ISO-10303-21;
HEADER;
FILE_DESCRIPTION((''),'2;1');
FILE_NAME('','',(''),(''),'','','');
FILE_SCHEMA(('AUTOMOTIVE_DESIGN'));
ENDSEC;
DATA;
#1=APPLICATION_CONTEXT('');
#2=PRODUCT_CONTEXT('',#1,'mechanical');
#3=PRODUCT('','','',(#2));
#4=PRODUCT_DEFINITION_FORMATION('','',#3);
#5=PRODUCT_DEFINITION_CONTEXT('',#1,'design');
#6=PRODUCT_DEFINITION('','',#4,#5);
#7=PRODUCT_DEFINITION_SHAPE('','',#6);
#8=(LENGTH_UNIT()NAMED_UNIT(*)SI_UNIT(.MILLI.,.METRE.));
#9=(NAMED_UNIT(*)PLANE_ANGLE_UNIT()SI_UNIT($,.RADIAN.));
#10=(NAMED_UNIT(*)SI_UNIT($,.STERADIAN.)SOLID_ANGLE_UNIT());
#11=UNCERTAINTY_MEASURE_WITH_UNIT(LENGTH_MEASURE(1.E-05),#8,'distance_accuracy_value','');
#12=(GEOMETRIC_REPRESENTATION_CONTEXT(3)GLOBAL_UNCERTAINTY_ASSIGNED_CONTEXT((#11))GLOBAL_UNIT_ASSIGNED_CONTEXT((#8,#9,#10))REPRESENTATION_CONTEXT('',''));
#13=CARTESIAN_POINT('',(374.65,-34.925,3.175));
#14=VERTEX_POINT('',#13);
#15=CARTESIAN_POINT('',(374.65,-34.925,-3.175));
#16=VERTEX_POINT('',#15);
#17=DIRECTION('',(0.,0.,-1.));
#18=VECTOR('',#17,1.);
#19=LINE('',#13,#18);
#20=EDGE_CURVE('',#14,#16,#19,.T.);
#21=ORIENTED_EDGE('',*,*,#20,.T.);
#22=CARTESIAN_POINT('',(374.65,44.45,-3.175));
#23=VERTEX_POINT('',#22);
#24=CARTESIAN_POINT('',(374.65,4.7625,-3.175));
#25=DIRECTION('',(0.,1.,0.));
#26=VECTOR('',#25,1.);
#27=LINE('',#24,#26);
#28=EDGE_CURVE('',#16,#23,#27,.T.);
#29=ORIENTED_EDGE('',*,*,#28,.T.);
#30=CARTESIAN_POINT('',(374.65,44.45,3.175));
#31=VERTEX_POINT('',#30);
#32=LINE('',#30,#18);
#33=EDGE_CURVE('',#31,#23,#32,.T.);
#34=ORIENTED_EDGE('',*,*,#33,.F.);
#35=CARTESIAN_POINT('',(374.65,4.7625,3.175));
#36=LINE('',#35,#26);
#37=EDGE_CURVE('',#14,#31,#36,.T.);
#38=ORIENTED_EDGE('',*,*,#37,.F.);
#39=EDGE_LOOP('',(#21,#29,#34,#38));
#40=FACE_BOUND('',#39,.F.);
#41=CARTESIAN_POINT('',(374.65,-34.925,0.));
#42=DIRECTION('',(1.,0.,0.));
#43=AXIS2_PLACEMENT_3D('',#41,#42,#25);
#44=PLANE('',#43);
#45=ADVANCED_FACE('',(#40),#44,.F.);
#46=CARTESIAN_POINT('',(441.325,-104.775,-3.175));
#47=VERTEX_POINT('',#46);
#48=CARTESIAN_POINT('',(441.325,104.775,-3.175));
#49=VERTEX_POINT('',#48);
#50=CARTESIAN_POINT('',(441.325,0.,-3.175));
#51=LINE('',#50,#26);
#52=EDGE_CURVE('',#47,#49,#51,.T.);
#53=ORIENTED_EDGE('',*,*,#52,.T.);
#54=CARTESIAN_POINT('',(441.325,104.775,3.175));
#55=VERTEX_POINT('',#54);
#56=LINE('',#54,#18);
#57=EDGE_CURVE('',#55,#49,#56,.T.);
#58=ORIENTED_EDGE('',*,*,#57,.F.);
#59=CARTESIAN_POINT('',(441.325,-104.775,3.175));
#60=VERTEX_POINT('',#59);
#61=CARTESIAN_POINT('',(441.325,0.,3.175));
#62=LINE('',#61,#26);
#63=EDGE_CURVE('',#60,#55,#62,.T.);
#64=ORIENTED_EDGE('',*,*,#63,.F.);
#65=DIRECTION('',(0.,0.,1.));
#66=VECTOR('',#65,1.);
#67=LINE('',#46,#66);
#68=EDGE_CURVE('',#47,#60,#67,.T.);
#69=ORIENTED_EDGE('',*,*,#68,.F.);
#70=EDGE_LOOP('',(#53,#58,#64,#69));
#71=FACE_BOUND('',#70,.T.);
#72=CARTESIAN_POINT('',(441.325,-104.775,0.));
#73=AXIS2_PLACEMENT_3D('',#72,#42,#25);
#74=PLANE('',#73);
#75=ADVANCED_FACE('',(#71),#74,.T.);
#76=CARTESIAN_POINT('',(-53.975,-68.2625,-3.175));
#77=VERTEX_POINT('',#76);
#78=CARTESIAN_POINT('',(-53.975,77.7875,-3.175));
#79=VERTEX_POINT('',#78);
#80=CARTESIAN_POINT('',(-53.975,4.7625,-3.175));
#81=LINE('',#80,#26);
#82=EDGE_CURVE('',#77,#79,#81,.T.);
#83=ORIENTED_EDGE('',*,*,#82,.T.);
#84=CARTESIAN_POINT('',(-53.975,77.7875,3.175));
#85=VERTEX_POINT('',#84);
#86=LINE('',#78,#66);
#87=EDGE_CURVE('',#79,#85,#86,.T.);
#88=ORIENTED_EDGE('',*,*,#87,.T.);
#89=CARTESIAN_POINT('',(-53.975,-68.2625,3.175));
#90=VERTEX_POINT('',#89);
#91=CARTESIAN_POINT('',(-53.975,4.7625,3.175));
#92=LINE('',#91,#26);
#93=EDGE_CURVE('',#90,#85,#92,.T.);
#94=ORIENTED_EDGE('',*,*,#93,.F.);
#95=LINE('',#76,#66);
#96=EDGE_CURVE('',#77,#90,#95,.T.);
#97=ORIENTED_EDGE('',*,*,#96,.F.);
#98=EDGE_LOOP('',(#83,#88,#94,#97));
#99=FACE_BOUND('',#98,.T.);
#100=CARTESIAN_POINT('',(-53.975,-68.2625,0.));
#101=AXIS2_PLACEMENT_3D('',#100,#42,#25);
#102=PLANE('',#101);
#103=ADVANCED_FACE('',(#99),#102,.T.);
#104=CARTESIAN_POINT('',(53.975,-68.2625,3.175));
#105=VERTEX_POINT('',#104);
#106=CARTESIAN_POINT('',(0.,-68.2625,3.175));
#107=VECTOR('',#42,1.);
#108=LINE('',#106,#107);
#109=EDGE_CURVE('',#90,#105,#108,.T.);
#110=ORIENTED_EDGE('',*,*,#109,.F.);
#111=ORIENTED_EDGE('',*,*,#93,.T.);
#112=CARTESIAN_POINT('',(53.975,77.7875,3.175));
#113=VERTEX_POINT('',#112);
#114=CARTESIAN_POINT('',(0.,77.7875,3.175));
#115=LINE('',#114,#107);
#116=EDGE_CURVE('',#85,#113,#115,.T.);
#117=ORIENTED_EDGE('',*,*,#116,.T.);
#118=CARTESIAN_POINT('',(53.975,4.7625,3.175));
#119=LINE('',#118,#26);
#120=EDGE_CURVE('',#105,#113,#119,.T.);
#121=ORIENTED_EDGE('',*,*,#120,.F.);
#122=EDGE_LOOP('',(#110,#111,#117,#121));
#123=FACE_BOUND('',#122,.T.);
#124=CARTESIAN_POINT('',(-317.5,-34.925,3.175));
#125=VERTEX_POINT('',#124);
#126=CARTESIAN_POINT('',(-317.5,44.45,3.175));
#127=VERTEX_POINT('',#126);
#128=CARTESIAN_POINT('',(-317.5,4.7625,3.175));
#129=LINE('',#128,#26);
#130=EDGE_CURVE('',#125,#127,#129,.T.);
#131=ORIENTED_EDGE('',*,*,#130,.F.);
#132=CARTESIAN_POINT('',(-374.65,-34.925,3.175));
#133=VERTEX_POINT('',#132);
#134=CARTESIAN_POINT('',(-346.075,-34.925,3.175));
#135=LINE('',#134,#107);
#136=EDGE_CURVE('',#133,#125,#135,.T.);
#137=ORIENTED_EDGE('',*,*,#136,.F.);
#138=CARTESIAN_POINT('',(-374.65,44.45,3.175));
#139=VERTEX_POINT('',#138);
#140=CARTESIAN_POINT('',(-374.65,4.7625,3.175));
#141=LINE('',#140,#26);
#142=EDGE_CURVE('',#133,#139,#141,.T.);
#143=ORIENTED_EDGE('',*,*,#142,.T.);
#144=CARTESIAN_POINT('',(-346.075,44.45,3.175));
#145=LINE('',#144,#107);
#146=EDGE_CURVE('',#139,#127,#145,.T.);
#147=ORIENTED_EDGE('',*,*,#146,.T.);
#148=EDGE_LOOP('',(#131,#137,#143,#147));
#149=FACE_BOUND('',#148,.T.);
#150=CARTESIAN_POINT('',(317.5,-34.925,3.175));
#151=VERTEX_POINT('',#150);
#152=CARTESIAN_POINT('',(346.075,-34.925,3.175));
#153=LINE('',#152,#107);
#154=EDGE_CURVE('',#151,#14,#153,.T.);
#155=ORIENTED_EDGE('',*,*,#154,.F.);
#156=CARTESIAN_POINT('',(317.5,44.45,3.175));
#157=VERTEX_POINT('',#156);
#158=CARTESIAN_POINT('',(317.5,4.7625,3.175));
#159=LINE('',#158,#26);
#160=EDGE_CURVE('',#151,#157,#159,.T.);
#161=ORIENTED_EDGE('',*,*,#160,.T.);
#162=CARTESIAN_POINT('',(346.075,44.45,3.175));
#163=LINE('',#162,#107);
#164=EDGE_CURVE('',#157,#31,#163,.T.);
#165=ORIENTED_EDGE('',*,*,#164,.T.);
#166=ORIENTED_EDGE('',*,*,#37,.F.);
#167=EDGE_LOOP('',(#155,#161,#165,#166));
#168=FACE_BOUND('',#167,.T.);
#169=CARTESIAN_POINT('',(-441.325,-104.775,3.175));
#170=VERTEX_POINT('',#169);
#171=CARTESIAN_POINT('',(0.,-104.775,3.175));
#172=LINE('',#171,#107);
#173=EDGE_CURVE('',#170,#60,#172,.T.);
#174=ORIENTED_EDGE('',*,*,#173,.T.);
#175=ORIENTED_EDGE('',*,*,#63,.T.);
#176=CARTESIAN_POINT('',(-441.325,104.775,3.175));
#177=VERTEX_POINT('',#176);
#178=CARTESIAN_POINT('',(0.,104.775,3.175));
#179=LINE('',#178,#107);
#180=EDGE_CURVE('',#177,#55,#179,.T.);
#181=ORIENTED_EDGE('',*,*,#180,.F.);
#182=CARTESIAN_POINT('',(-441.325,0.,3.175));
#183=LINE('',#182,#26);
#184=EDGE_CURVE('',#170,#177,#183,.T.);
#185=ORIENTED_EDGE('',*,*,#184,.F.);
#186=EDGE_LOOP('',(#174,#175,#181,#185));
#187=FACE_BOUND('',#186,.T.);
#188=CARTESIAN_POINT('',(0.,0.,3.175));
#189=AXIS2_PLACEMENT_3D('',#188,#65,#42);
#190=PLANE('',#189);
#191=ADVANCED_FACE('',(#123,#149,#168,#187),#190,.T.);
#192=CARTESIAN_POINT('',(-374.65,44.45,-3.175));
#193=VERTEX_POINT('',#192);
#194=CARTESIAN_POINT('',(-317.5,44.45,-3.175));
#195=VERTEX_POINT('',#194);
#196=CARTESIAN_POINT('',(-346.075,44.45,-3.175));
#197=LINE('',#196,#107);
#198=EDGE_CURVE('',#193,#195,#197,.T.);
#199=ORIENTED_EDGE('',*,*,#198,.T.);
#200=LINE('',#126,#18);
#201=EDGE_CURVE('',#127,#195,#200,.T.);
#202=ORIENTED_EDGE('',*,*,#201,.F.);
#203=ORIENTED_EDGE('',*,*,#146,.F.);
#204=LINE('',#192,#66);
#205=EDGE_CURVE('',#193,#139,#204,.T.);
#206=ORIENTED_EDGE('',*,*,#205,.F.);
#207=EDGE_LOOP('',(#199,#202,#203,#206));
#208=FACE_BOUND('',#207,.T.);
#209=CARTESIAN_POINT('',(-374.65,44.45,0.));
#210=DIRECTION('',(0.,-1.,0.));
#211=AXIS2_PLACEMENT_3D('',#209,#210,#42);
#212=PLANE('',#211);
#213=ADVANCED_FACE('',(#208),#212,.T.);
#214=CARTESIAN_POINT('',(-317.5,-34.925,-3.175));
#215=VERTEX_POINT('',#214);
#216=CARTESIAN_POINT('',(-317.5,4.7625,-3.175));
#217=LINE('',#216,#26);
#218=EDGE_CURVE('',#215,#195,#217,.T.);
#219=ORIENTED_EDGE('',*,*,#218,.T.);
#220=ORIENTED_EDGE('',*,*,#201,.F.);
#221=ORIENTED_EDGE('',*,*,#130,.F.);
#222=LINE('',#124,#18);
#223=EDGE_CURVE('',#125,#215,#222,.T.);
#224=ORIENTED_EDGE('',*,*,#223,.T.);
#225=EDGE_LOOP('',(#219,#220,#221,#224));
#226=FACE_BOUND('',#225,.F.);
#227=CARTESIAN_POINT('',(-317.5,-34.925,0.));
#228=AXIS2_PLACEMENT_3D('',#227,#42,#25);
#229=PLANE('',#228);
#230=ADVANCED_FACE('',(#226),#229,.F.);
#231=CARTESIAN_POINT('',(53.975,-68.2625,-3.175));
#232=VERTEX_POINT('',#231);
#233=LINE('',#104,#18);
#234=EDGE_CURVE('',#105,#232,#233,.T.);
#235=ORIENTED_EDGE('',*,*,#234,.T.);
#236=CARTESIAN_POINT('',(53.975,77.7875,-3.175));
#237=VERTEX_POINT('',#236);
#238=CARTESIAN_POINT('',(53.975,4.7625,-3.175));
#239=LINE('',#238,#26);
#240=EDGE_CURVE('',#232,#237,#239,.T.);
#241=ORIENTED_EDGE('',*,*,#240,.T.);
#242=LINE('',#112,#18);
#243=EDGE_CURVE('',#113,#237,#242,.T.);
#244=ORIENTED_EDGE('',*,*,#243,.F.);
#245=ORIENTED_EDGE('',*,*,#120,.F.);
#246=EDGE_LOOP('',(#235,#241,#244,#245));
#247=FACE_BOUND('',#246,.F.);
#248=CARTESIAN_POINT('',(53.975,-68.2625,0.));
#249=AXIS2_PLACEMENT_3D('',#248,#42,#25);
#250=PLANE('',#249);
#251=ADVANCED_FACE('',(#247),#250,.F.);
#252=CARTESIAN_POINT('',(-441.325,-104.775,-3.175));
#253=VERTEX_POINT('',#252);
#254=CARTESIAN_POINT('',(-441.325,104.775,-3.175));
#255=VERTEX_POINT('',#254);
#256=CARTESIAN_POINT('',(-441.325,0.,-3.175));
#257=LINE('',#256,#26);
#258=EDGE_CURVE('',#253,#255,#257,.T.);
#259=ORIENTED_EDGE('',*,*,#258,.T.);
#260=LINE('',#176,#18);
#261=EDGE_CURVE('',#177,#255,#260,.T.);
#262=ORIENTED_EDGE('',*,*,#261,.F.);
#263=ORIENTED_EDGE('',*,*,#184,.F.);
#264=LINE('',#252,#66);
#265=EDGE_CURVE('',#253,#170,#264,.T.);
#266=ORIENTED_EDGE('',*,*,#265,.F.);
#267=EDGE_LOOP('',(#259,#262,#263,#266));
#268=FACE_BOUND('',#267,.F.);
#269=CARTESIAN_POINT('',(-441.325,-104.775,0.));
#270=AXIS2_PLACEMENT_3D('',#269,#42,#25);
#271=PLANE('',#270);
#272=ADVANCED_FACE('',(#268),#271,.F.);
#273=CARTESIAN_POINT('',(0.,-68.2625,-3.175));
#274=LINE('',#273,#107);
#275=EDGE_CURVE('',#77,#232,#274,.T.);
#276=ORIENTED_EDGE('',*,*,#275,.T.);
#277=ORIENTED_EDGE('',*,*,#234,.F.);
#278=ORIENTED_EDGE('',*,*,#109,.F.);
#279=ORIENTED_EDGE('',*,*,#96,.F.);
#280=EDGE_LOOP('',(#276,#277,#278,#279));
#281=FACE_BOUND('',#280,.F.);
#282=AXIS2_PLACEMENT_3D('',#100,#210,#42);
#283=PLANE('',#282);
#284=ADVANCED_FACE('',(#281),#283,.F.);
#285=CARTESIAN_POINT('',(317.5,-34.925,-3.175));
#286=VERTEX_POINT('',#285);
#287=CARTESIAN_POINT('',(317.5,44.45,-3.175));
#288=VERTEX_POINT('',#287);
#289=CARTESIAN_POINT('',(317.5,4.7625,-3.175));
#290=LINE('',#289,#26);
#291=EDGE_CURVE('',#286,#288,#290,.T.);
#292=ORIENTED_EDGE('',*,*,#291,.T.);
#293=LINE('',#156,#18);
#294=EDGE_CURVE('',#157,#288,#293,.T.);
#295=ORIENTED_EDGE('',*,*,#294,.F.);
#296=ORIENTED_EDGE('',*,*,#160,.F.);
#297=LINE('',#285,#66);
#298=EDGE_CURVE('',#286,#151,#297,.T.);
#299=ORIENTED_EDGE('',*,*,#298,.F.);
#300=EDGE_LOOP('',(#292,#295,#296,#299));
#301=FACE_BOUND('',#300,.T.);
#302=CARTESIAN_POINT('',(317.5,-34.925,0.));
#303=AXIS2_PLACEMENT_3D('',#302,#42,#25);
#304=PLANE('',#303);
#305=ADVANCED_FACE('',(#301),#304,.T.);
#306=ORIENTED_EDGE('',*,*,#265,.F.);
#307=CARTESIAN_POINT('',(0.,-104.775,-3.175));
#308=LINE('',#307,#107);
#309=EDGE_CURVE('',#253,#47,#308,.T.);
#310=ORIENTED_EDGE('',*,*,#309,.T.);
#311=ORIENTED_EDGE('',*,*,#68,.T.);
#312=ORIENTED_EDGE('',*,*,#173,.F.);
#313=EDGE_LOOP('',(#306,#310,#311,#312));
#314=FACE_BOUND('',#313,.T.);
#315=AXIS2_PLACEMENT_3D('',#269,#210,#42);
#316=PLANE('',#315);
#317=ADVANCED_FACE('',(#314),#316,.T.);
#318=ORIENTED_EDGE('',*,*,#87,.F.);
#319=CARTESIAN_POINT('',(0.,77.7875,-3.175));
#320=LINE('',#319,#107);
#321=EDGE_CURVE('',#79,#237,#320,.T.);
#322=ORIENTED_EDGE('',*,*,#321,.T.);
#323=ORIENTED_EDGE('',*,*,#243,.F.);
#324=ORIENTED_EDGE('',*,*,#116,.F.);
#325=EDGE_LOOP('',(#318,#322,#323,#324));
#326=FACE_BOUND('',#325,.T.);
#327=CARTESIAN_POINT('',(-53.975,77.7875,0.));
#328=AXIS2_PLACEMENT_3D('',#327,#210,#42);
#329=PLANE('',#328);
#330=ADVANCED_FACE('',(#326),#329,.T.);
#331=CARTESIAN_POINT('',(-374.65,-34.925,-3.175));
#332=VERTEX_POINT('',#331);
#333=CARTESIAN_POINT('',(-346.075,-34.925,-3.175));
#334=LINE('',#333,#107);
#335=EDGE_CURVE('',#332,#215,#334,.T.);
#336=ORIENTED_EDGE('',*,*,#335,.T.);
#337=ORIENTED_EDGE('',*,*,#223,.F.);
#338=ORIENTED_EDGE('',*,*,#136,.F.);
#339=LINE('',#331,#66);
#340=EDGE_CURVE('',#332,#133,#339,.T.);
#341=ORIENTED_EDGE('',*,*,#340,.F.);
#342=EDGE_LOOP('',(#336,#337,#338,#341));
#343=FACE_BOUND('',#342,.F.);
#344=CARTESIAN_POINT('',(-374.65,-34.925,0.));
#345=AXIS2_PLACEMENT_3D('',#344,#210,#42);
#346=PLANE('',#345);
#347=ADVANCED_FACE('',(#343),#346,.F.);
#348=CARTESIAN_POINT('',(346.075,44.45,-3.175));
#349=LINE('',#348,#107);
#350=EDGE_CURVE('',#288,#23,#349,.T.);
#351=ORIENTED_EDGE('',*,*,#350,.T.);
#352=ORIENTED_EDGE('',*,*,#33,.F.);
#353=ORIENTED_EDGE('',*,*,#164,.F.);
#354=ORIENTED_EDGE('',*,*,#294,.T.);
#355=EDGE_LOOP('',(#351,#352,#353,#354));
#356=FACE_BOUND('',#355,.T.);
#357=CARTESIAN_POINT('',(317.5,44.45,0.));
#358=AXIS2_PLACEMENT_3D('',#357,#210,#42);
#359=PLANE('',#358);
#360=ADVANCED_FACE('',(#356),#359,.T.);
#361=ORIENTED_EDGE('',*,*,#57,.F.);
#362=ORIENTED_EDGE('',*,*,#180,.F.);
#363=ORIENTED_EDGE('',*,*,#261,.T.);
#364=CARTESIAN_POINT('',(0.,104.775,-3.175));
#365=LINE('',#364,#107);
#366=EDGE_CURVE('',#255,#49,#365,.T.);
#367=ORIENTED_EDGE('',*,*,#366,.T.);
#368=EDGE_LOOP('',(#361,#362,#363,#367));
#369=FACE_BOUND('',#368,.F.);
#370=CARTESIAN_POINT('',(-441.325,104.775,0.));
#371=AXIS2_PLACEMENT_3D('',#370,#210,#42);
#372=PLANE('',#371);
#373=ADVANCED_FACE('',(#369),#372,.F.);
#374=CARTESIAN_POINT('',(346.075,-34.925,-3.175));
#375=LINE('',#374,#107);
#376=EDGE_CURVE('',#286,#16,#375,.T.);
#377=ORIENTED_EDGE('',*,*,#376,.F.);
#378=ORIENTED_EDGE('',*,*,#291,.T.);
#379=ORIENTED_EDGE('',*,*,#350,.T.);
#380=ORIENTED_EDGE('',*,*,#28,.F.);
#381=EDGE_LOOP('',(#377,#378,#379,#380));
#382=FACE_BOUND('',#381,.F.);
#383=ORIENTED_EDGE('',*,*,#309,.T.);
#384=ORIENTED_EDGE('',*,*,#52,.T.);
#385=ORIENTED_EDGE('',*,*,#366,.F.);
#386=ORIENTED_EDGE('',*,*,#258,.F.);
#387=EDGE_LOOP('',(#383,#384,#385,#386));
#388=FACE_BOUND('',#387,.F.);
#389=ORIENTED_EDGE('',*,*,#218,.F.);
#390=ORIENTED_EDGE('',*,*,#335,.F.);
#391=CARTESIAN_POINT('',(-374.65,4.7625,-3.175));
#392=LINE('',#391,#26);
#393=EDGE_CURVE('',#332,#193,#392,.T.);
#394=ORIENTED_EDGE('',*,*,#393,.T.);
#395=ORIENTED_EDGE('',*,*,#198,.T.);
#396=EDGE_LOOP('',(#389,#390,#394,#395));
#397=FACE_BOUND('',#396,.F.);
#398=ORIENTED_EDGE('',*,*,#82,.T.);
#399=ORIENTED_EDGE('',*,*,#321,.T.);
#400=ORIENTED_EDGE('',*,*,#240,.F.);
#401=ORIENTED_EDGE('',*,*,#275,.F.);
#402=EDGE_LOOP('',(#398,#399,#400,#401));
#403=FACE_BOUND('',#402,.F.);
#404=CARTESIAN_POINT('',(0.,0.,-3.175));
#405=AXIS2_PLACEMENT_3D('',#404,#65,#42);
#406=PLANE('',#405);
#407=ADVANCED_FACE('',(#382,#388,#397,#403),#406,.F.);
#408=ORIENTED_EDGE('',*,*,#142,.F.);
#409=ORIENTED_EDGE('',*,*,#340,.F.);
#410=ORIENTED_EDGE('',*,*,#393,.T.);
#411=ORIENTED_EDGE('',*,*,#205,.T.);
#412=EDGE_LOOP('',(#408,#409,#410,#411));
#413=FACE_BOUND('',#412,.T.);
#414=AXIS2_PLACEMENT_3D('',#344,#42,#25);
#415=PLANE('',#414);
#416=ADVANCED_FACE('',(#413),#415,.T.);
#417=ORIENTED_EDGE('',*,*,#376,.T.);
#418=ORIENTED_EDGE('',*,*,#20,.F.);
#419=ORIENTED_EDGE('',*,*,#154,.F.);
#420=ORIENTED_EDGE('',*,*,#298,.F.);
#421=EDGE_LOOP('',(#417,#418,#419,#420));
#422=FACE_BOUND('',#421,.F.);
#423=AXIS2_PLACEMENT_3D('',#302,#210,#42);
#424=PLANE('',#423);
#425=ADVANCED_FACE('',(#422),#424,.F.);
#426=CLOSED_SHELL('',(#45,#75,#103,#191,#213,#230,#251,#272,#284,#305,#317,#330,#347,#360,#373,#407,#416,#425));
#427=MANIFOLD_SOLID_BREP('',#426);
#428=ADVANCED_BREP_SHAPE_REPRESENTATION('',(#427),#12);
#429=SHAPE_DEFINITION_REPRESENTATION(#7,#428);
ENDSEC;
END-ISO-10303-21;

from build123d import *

# Parameters (mm, degrees)
F0_W     = 882.65
F0_H     = 209.55
F0_W_2   = 57.15
F0_H_2   = 79.375
F0_W_3   = 107.95
F0_H_3   = 146.05
F1_DEPTH = 3.175


with BuildPart() as f1:
    # F0 (on Top) → F1 (new body, symmetric)
    with BuildSketch(Plane.XY):
        Rectangle(F0_W, F0_H)
        with Locations((-346.075, 4.7625)):
            Rectangle(F0_W_2, F0_H_2, mode=Mode.SUBTRACT)
        with Locations((0, 4.7625)):
            Rectangle(F0_W_3, F0_H_3, mode=Mode.SUBTRACT)
        with Locations((346.075, 4.7625)):
            Rectangle(F0_W_2, F0_H_2, mode=Mode.SUBTRACT)
    extrude(amount=F1_DEPTH, both=True)


solid = f1.part
